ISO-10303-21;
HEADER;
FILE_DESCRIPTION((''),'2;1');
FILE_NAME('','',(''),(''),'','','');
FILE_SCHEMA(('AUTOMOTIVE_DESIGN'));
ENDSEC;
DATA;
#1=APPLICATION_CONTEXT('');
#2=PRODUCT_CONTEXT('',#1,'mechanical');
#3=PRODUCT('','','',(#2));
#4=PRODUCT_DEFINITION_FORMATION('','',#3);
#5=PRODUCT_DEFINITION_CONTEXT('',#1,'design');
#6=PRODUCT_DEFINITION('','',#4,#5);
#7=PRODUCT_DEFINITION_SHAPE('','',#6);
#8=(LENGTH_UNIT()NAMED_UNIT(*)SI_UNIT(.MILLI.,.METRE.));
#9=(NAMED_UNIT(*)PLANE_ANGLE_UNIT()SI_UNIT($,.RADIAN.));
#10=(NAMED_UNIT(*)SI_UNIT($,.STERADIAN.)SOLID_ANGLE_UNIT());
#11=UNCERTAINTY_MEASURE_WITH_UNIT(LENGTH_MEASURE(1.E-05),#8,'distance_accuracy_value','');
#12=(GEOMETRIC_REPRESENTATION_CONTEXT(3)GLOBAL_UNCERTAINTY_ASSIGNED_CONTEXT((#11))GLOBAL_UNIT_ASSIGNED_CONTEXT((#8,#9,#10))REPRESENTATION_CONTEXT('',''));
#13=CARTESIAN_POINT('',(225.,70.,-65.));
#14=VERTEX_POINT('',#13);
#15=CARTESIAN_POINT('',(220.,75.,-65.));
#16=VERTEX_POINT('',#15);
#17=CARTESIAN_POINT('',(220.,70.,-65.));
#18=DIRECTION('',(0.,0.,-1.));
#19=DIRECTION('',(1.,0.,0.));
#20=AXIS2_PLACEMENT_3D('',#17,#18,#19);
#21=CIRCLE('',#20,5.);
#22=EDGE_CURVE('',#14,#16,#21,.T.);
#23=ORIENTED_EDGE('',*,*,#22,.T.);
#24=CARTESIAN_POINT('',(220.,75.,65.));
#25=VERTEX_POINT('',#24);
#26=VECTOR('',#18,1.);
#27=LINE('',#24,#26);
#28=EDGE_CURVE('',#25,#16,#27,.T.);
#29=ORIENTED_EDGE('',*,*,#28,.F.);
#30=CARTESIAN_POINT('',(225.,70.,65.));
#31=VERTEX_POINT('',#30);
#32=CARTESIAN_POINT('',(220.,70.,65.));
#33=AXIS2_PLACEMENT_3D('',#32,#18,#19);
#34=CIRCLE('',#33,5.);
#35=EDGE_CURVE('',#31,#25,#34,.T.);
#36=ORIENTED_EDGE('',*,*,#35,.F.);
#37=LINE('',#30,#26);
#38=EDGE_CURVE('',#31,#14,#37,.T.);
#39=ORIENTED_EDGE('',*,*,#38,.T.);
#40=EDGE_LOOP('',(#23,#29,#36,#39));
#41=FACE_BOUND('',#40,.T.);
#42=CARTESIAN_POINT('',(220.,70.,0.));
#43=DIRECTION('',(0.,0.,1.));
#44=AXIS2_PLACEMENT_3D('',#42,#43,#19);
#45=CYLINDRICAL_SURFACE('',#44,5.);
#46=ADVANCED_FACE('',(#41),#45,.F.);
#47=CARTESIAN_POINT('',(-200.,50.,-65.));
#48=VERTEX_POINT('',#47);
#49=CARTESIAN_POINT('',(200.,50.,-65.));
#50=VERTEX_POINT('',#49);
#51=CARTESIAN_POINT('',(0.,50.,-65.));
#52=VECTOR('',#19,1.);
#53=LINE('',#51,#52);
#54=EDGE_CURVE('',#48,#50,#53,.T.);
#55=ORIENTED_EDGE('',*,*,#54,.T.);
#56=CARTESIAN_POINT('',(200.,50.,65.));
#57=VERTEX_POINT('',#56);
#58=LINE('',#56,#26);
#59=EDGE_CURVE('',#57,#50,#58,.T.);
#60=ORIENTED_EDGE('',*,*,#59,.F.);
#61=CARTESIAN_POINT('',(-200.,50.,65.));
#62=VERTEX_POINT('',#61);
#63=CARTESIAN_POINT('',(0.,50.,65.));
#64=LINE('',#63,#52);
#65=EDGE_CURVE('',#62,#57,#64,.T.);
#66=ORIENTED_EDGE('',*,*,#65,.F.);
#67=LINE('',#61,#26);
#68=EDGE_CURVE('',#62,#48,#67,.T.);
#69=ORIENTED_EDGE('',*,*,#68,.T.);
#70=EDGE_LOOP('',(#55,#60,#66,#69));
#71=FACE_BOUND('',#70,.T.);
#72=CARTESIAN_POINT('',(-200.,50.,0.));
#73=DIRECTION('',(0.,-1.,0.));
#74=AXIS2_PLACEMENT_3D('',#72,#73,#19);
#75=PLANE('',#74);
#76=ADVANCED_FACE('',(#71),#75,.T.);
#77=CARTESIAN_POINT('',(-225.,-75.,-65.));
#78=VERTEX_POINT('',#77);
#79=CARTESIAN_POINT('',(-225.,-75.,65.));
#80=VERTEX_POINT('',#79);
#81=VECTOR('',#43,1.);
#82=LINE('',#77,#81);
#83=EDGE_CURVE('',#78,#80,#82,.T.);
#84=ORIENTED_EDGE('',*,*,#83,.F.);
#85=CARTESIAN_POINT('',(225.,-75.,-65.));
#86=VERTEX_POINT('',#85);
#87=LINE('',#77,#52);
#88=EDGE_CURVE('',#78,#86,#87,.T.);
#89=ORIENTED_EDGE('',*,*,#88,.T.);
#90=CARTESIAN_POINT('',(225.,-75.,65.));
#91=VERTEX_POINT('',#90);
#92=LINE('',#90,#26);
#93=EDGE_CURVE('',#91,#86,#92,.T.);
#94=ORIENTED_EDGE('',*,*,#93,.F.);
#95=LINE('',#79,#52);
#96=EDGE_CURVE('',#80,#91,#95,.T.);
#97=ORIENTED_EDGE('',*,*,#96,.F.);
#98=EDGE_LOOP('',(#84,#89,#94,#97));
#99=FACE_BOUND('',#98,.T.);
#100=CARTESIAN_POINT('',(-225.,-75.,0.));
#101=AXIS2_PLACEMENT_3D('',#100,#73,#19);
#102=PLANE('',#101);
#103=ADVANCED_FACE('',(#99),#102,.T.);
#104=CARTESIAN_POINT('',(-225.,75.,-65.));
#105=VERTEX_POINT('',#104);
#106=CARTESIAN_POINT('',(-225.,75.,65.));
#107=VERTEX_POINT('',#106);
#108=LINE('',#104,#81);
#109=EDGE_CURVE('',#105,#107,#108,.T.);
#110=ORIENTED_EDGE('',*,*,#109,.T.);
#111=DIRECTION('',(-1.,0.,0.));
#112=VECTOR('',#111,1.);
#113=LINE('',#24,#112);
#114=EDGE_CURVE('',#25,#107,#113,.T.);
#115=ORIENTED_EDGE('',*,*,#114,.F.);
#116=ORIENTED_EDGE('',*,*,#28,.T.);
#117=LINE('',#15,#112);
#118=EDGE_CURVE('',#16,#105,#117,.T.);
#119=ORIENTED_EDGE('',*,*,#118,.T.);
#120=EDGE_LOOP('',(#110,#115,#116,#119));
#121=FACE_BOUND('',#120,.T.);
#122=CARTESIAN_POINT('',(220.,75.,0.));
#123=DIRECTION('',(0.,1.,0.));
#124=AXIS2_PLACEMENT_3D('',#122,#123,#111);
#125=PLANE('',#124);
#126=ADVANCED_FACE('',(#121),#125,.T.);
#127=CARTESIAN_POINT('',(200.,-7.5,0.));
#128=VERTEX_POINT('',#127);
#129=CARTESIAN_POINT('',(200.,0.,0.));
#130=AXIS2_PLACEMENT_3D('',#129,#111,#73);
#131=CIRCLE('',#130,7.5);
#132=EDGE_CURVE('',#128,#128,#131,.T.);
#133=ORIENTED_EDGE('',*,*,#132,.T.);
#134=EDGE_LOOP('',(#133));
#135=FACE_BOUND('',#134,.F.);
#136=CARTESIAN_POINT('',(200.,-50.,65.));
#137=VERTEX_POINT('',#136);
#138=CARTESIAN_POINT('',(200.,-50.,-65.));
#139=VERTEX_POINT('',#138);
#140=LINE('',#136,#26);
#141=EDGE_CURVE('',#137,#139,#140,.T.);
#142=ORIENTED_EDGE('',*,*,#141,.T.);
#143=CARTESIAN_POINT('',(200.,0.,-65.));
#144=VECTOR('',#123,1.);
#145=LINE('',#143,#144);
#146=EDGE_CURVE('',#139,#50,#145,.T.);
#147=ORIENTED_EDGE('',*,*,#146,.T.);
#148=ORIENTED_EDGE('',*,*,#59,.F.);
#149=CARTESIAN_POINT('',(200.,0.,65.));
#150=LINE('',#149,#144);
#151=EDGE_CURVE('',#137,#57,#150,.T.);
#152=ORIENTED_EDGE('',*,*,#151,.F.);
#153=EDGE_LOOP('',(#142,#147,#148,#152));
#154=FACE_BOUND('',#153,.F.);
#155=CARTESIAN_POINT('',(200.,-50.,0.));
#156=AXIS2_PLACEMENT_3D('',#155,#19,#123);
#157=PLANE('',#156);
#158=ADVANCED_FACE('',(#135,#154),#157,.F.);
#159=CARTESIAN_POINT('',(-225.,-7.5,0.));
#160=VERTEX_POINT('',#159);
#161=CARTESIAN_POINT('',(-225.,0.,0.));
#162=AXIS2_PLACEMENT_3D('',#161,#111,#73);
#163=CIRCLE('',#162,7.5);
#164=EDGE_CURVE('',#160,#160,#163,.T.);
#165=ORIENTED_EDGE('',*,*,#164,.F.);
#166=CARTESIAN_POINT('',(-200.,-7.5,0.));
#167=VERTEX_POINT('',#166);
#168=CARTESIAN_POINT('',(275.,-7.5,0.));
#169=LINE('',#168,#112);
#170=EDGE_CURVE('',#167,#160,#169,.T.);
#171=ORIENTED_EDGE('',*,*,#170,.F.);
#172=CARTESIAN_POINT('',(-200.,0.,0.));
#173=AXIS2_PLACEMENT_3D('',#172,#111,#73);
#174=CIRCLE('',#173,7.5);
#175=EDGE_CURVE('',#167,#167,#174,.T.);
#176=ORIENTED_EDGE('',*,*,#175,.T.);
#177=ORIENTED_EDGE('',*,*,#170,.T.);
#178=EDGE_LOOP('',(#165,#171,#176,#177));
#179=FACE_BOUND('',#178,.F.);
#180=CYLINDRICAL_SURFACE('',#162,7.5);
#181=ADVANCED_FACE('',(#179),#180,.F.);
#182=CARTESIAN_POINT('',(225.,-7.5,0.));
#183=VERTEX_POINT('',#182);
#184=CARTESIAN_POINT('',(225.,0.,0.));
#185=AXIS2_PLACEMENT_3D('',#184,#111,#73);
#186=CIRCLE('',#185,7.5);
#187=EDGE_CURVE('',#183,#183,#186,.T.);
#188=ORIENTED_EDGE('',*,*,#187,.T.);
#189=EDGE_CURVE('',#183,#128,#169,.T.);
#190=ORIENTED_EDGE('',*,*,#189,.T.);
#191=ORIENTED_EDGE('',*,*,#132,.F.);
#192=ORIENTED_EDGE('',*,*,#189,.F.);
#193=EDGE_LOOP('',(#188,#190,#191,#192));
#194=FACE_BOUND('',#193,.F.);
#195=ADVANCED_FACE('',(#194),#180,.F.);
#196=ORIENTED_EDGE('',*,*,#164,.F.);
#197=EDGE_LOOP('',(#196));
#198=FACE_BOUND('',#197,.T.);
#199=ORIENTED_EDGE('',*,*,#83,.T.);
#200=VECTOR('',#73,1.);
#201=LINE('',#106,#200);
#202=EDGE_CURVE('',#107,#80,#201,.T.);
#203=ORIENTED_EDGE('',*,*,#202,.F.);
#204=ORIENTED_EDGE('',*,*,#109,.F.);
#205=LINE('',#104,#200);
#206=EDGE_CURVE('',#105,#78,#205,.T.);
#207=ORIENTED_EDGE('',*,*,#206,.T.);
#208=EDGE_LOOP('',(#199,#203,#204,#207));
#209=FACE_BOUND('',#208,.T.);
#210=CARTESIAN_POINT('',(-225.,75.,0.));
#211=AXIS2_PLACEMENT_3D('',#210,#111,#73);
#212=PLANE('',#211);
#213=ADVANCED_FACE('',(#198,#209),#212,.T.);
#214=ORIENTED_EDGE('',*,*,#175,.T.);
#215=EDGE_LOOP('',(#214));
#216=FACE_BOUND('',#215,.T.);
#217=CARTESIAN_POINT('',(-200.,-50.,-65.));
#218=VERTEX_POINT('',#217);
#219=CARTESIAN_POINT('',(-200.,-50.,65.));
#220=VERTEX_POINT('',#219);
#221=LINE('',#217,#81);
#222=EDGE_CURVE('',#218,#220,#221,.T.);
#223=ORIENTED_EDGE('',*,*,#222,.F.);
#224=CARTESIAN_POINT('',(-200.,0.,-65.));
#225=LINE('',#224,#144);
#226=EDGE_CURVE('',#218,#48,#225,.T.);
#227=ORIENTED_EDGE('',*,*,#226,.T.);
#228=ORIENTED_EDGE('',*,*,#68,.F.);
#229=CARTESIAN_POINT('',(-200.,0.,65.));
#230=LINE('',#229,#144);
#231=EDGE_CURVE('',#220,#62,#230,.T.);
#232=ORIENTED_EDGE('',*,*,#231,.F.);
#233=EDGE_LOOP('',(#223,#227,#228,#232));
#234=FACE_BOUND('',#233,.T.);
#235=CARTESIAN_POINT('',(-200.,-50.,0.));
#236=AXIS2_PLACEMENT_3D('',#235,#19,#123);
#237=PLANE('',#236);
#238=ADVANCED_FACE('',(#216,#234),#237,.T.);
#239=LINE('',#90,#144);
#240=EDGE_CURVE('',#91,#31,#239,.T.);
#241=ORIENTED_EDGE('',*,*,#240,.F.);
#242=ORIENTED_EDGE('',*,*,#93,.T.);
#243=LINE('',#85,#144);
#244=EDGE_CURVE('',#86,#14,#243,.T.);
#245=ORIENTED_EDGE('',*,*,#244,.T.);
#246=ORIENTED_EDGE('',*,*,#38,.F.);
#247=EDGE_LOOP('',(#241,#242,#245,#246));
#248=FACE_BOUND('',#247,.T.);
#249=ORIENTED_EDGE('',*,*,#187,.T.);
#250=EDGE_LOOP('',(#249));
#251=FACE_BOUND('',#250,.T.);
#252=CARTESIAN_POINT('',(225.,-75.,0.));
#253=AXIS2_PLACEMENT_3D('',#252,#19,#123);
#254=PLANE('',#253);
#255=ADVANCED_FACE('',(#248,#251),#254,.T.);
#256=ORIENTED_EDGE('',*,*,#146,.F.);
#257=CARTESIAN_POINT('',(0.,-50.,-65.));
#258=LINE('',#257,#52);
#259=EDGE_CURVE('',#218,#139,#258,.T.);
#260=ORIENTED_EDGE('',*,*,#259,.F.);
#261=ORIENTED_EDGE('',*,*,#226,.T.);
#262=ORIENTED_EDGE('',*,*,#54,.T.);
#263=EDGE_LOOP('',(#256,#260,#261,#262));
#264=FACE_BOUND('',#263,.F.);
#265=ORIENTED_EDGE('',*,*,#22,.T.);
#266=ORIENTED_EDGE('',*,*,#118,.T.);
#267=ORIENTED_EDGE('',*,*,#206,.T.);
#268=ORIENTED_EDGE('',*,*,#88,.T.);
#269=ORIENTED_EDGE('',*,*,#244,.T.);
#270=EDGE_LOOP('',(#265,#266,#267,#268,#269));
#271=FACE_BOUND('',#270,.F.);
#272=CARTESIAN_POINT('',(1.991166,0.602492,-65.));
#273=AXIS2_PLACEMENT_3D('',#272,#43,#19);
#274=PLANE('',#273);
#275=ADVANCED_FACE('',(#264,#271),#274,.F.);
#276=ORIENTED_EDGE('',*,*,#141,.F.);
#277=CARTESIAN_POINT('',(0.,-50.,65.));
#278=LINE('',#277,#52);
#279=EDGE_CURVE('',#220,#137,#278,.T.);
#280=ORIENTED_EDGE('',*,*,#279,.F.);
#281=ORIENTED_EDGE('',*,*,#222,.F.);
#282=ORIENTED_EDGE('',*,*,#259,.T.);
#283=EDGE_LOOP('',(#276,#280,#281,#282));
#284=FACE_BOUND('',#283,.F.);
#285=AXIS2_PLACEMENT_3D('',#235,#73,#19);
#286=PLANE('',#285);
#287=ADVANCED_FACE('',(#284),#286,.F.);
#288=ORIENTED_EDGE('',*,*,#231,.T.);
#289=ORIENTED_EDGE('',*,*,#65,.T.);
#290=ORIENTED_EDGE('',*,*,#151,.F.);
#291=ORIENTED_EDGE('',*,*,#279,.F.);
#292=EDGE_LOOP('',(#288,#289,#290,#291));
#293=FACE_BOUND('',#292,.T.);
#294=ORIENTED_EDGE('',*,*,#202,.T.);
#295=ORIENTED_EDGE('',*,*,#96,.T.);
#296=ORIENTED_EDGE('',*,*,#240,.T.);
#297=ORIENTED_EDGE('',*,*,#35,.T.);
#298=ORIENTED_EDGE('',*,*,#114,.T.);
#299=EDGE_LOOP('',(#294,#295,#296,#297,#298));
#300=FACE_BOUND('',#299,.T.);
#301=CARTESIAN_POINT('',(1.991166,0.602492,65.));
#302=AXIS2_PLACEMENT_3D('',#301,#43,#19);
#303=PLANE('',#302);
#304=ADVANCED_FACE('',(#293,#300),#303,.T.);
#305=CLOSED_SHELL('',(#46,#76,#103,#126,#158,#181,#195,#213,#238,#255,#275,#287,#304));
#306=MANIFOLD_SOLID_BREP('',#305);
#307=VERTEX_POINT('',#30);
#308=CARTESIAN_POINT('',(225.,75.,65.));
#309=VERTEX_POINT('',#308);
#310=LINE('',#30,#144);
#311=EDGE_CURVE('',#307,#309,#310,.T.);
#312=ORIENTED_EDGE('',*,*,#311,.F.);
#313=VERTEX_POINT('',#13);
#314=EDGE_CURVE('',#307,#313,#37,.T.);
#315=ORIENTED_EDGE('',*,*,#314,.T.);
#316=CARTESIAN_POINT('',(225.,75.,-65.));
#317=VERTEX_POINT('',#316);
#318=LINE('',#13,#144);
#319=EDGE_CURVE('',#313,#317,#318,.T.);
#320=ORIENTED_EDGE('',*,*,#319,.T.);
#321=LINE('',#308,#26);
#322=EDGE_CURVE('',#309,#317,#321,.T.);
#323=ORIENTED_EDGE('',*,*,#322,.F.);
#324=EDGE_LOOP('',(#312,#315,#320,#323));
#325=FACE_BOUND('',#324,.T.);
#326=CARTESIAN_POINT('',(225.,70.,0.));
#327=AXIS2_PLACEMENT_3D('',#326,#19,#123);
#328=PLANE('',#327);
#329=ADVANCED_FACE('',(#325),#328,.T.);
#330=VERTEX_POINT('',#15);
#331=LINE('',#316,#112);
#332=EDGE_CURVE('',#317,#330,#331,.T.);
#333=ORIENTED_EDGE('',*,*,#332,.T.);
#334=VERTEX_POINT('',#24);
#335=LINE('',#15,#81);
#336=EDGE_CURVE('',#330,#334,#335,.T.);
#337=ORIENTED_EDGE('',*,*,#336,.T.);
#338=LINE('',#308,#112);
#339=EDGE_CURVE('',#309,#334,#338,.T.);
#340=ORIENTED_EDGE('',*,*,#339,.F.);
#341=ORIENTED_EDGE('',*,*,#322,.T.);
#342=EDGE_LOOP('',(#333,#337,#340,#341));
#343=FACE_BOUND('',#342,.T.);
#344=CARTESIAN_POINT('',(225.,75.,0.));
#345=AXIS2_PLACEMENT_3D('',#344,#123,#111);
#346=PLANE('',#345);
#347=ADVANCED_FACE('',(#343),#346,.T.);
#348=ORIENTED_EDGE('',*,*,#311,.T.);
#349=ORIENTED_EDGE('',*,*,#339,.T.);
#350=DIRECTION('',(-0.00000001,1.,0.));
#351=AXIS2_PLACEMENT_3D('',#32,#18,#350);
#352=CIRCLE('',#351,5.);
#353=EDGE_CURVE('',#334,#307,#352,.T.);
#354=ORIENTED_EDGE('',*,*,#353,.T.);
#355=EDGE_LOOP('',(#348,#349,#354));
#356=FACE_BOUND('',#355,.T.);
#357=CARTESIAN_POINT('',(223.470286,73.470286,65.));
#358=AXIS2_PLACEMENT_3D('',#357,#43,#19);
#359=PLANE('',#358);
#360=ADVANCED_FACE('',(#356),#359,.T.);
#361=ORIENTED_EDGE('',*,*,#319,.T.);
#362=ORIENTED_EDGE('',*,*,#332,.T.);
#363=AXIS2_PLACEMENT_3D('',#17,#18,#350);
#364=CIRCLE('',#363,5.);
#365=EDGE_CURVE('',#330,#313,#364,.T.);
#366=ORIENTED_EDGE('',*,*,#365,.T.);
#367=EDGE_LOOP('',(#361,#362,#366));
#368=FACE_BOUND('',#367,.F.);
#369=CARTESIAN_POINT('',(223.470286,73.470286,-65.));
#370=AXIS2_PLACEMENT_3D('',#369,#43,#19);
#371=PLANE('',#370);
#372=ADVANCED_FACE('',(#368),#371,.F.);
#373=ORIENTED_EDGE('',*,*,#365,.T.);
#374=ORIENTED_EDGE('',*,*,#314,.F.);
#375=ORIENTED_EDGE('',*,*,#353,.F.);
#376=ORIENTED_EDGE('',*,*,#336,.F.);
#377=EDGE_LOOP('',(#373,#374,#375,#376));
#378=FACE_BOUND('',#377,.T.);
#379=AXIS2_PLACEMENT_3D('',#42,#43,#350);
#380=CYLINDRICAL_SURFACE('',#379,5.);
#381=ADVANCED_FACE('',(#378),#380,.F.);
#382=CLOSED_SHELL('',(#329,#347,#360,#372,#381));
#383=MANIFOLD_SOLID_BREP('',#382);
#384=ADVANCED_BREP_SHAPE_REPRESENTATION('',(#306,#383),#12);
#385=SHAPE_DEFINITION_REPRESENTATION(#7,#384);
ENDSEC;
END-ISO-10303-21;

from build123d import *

# Parameters (mm, degrees)
F0_W     = 400
F0_H     = 100
F1_DEPTH = 65
F2_R     = 7.5
F3_DEPTH = 500


with BuildPart() as f1:
    # F0 (on Top) → F1 (new body, symmetric)
    with BuildSketch(Plane.XY):
        with BuildLine():
            Line((219.9999999506, 75), (-225, 75))
            Line((-225, 75), (-225, -75))
            Line((-225, -75), (225, -75))
            Line((225, -75), (225, 70))
            ThreePointArc((225, 70), (216.4644661115, 66.4644660766), (219.9999999506, 75))
        make_face()
        Rectangle(F0_W, F0_H, mode=Mode.SUBTRACT)
    extrude(amount=F1_DEPTH, both=True)

    # F2 (on face) → F3 (cut, symmetric)
    with BuildSketch(Plane(origin=(-225, 0, 0), x_dir=(0, -1, 0), z_dir=(-1, 0, 0))):
        Circle(F2_R)
    extrude(amount=F3_DEPTH, both=True, mode=Mode.SUBTRACT)


with BuildPart() as f1b:
    # F0 (on Top) → F1, piece 2 (new body, symmetric)
    with BuildSketch(Plane.XY):
        with BuildLine():
            Line((225, 75), (219.9999999506, 75))
            ThreePointArc((219.9999999506, 75), (223.5355338885, 73.5355339234), (225, 70))
            Line((225, 70), (225, 75))
        make_face()
    extrude(amount=F1_DEPTH, both=True)


solid = Compound([f1.part, f1b.part])
